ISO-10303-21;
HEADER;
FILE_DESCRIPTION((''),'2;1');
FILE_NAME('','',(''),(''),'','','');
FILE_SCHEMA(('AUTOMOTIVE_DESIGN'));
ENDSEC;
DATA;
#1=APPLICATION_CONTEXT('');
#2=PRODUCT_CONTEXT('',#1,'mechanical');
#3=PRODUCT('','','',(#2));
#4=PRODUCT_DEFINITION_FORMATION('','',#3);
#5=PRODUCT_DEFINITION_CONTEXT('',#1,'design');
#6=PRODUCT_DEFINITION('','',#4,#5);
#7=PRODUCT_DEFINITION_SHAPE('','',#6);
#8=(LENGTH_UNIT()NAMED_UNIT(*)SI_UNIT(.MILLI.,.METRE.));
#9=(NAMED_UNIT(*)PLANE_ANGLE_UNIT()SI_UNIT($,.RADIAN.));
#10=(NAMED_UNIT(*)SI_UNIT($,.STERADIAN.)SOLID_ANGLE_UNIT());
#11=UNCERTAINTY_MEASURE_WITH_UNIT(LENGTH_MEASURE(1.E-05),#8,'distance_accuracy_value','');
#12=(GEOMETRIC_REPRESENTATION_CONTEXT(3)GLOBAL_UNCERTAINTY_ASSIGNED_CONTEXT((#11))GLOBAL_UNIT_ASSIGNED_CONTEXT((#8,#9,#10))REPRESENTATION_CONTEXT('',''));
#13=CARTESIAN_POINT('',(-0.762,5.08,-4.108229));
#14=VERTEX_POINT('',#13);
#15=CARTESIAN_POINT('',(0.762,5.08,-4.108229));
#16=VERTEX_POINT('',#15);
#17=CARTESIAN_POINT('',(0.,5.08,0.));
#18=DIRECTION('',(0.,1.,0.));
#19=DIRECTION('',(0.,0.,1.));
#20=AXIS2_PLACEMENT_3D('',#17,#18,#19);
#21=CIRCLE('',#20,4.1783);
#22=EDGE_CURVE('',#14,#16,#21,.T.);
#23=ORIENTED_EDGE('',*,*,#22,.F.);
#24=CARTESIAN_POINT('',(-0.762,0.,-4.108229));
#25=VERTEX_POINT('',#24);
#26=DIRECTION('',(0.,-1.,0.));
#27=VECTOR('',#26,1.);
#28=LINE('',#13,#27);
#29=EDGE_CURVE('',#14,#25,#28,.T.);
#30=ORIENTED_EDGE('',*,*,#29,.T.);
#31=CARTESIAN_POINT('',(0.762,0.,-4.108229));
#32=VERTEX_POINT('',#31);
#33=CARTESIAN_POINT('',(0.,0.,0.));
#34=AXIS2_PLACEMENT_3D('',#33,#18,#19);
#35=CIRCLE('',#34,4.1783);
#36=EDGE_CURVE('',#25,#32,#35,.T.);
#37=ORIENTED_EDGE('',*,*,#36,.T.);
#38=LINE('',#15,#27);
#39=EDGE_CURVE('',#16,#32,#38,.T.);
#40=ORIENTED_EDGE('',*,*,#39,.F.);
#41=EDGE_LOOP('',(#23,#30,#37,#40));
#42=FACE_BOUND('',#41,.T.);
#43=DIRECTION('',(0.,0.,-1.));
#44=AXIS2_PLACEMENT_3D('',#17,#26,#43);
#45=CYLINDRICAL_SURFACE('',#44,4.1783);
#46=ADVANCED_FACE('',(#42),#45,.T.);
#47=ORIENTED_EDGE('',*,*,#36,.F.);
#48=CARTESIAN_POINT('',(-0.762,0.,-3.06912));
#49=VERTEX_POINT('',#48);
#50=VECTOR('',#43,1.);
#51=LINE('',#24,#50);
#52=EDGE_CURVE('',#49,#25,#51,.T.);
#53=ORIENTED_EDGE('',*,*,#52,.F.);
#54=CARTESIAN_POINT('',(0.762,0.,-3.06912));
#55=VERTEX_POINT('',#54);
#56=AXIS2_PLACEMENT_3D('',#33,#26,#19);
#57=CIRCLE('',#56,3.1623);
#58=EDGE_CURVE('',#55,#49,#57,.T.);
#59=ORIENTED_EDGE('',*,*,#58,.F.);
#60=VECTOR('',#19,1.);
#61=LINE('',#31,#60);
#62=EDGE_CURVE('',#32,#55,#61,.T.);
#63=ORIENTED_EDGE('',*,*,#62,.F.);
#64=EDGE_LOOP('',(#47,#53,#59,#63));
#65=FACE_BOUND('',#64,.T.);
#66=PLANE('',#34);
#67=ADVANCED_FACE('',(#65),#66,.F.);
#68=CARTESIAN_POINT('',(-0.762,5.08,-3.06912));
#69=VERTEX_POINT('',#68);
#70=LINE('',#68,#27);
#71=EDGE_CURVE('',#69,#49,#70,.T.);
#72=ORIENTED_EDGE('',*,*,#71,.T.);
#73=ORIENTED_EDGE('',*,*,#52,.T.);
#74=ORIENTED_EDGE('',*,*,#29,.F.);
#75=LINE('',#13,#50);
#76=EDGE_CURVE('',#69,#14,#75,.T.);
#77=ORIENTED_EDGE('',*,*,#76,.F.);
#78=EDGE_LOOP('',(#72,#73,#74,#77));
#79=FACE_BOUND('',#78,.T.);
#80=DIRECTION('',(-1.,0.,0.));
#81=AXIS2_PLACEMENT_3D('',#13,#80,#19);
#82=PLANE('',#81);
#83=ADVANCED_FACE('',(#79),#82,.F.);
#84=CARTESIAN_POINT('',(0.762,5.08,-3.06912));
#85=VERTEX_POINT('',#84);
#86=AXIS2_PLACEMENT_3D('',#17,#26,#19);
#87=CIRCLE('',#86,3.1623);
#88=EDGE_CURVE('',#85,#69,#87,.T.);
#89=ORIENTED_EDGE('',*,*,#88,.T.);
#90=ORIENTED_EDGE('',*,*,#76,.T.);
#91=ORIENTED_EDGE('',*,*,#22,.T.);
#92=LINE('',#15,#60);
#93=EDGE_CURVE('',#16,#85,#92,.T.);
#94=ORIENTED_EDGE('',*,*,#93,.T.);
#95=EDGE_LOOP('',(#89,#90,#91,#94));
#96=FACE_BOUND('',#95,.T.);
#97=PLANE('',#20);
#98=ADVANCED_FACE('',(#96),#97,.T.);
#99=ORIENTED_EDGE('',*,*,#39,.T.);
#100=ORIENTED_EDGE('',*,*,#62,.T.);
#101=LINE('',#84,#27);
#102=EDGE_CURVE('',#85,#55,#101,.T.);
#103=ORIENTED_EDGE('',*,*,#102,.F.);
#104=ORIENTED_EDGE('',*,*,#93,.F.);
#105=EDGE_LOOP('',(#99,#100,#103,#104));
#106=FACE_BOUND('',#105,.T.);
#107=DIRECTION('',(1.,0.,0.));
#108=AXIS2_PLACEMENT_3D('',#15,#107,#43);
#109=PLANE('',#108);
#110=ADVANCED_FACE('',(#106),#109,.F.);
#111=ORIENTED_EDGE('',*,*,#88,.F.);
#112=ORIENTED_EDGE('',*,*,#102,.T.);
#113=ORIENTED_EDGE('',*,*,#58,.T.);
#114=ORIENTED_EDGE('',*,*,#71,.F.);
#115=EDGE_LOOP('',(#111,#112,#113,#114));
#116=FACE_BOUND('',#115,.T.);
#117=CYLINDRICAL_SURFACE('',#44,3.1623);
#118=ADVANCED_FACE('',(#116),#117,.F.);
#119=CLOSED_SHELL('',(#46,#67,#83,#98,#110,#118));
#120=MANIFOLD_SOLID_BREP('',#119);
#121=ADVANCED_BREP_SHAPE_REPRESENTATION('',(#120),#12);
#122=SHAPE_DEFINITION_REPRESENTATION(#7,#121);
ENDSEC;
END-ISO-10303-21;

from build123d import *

# Parameters (mm, degrees)
BOSS_EXTRUDE1_DEPTH = 5.08


with BuildPart() as part:
    # Sketch1 → Boss-Extrude1 (new body)
    with BuildSketch(Plane(origin=(0, 0, 0), x_dir=(1, 0, 0), z_dir=(0, 1, 0))):
        with BuildLine():
            Line((-0.762, 4.108229167), (-0.762, 3.069119954))
            ThreePointArc((-0.762, 3.069119954), (0, -3.1623), (0.762, 3.069119954))
            Line((0.762, 3.069119954), (0.762, 4.108229167))
            ThreePointArc((0.762, 4.108229167), (0, -4.1783), (-0.762, 4.108229167))
        make_face()
    extrude(amount=BOSS_EXTRUDE1_DEPTH)


solid = part.part
